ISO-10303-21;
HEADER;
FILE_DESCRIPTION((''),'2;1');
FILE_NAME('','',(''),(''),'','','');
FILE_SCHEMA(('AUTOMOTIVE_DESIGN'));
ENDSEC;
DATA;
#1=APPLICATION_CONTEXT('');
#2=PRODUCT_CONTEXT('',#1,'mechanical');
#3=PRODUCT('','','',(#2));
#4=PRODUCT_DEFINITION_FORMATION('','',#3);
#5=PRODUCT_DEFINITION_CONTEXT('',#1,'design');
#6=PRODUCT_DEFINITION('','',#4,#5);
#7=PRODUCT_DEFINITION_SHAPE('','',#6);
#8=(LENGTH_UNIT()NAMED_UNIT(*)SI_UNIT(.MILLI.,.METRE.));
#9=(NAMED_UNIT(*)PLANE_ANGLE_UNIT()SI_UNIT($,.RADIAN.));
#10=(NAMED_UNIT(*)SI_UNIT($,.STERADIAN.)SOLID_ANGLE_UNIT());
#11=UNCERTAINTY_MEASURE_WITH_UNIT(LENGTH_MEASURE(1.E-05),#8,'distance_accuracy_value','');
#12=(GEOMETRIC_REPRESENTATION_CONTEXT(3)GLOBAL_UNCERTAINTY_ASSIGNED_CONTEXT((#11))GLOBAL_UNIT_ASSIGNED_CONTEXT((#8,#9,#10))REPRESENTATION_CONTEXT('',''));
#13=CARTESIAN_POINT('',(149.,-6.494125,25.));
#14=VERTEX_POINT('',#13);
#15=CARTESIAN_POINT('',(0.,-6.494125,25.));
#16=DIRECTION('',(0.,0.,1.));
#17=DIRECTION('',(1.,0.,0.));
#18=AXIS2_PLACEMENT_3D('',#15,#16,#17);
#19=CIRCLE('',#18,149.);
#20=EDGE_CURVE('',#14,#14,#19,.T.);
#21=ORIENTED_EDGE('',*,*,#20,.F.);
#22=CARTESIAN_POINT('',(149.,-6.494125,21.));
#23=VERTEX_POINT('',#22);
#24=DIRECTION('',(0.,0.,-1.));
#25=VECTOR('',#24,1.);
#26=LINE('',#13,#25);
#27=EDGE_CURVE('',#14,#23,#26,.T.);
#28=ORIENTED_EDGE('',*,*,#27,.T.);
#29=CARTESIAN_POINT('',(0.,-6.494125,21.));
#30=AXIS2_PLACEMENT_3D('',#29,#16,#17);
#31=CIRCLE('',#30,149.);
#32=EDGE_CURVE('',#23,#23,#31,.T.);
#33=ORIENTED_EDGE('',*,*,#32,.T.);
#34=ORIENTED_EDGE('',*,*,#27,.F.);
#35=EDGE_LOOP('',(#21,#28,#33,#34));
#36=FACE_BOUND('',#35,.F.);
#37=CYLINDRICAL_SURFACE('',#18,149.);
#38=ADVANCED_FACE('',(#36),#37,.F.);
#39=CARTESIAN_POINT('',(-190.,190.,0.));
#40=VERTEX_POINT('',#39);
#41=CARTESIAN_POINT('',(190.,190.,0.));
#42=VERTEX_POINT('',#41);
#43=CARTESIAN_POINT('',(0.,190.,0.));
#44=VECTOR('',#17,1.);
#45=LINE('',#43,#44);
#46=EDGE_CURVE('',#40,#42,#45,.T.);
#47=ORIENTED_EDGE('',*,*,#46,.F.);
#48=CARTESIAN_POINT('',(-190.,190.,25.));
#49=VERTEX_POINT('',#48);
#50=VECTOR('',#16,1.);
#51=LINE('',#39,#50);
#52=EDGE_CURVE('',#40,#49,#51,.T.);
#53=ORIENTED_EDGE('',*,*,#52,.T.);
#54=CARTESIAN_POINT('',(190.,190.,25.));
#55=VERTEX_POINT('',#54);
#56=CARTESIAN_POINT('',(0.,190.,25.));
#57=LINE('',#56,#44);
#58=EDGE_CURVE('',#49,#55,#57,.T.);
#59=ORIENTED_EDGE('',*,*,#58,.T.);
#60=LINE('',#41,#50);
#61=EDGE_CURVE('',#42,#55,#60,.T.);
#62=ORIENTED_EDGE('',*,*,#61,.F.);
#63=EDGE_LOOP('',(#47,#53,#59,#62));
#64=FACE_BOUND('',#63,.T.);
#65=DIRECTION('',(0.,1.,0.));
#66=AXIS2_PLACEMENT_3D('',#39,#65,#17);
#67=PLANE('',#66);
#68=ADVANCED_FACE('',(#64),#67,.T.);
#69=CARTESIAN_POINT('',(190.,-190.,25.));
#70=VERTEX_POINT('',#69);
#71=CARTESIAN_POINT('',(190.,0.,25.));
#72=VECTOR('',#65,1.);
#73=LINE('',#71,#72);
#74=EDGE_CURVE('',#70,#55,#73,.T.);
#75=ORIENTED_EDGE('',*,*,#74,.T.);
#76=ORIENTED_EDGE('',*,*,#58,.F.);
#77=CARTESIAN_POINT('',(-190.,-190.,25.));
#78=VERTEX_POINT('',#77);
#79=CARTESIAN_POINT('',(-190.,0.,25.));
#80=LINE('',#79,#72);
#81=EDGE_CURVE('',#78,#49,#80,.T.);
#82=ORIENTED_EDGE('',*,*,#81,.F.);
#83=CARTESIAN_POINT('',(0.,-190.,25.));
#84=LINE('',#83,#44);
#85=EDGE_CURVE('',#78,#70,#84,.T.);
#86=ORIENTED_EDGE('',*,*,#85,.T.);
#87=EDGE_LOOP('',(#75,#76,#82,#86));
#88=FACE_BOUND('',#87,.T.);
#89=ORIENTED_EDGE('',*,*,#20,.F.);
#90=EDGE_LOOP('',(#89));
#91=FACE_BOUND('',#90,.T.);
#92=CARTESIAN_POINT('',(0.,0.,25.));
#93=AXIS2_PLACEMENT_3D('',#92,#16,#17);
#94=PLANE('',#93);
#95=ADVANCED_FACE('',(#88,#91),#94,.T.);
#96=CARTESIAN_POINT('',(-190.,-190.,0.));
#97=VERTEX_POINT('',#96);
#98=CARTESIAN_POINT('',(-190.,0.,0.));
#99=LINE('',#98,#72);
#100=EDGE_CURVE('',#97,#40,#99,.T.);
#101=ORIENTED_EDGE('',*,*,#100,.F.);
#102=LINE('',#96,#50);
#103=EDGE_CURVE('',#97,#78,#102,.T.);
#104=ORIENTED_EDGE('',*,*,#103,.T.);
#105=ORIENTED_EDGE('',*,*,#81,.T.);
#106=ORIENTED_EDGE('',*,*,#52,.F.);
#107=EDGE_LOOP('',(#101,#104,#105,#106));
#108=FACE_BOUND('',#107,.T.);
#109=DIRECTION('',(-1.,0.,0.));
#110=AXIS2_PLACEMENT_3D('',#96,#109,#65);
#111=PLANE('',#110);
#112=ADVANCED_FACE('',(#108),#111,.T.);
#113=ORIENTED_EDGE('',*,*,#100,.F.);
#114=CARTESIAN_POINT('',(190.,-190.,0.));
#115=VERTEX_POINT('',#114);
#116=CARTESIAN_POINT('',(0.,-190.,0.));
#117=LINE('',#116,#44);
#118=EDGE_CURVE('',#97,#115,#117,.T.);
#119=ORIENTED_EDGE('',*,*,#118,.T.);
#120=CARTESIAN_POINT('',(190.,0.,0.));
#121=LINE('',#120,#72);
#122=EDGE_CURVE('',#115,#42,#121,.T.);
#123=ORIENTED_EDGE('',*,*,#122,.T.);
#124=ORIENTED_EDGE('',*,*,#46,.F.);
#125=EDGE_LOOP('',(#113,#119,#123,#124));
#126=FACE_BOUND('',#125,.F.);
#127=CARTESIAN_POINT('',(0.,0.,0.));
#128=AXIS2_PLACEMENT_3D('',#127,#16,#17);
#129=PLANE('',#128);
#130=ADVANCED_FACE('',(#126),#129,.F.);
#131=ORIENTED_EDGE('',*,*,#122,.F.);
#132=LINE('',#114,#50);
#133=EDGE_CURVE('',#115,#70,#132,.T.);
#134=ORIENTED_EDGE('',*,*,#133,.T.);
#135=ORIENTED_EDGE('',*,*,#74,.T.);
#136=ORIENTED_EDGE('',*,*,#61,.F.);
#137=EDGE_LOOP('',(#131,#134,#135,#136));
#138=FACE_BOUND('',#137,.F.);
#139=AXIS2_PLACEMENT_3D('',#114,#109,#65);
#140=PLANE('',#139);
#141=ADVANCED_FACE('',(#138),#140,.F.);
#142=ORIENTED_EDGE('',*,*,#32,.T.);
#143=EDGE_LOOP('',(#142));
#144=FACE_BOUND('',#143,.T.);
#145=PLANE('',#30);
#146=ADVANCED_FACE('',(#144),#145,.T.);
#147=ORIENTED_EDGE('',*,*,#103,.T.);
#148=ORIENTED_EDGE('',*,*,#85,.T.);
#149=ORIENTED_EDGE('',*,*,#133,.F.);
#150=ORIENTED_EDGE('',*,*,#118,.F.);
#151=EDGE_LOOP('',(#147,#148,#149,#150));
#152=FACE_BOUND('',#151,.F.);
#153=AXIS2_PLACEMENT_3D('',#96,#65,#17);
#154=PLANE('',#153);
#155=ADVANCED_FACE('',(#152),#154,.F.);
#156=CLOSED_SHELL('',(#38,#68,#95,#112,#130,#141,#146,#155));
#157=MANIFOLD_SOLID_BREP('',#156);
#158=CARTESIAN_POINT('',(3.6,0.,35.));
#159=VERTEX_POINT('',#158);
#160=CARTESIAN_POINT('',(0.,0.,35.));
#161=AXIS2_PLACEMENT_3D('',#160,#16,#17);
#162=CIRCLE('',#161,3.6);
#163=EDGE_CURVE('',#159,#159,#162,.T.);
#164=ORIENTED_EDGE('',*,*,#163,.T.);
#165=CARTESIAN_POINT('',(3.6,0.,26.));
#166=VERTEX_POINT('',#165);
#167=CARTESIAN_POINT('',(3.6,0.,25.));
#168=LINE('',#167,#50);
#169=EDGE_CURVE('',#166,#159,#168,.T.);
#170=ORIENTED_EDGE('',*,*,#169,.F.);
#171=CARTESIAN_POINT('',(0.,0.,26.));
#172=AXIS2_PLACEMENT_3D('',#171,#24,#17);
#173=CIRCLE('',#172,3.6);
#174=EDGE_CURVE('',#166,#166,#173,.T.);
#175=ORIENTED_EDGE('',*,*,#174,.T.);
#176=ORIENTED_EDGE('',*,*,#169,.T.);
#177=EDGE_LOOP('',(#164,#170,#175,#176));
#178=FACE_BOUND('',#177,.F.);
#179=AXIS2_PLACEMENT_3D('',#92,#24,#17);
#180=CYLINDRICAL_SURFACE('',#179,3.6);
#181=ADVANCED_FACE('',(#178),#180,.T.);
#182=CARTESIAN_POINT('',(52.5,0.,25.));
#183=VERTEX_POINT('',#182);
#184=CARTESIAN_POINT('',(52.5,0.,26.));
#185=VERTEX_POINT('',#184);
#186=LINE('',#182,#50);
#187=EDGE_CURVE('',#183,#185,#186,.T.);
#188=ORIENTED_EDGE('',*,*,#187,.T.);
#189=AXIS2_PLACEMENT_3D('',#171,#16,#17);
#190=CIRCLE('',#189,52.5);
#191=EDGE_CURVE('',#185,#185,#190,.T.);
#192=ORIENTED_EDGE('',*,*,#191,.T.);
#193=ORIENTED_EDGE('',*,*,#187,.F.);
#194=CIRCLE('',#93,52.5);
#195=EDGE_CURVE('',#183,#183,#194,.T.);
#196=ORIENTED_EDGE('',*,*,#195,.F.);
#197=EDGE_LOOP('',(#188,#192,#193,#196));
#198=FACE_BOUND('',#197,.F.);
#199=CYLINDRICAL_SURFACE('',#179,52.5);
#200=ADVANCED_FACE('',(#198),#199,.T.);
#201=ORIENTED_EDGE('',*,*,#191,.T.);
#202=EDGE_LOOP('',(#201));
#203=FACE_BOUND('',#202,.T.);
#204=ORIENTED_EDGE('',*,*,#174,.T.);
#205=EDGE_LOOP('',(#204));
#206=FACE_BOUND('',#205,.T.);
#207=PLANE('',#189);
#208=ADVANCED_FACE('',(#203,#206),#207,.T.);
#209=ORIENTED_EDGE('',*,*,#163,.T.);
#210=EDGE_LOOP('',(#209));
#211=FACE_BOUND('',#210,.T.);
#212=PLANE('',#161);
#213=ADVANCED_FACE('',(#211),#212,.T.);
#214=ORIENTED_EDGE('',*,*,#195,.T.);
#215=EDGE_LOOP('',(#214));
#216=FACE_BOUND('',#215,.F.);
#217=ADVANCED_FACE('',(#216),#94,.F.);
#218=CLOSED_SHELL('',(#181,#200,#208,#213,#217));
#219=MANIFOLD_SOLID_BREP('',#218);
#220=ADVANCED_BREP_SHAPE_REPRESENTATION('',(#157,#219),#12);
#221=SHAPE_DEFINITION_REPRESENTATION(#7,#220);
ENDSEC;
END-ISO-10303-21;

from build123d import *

# Parameters (mm, degrees)
F0_W     = 380
F0_H     = 380
F1_DEPTH = 25
F2_R     = 149
F3_DEPTH = 4
F4_R     = 52.5
F5_DEPTH = 1
F6_R     = 3.6
F7_DEPTH = 10


with BuildPart() as f1:
    # F0 (on Top) → F1 (new body)
    with BuildSketch(Plane.XY):
        Rectangle(F0_W, F0_H)
    extrude(amount=F1_DEPTH)

    # F2 (on face) → F3 (cut)
    with BuildSketch(Plane.XY.offset(25)):
        with Locations((0, -6.494125)):
            Circle(F2_R)
    extrude(amount=-F3_DEPTH, mode=Mode.SUBTRACT)


with BuildPart() as f5:
    # F4 (on face) → F5 (new body)
    with BuildSketch(Plane.XY.offset(25)):
        Circle(F4_R)
    extrude(amount=F5_DEPTH)

    # F6 (on face) → F7 (join)
    with BuildSketch(Plane.XY.offset(25)):
        Circle(F6_R)
    extrude(amount=F7_DEPTH)


solid = Compound([f1.part, f5.part])
